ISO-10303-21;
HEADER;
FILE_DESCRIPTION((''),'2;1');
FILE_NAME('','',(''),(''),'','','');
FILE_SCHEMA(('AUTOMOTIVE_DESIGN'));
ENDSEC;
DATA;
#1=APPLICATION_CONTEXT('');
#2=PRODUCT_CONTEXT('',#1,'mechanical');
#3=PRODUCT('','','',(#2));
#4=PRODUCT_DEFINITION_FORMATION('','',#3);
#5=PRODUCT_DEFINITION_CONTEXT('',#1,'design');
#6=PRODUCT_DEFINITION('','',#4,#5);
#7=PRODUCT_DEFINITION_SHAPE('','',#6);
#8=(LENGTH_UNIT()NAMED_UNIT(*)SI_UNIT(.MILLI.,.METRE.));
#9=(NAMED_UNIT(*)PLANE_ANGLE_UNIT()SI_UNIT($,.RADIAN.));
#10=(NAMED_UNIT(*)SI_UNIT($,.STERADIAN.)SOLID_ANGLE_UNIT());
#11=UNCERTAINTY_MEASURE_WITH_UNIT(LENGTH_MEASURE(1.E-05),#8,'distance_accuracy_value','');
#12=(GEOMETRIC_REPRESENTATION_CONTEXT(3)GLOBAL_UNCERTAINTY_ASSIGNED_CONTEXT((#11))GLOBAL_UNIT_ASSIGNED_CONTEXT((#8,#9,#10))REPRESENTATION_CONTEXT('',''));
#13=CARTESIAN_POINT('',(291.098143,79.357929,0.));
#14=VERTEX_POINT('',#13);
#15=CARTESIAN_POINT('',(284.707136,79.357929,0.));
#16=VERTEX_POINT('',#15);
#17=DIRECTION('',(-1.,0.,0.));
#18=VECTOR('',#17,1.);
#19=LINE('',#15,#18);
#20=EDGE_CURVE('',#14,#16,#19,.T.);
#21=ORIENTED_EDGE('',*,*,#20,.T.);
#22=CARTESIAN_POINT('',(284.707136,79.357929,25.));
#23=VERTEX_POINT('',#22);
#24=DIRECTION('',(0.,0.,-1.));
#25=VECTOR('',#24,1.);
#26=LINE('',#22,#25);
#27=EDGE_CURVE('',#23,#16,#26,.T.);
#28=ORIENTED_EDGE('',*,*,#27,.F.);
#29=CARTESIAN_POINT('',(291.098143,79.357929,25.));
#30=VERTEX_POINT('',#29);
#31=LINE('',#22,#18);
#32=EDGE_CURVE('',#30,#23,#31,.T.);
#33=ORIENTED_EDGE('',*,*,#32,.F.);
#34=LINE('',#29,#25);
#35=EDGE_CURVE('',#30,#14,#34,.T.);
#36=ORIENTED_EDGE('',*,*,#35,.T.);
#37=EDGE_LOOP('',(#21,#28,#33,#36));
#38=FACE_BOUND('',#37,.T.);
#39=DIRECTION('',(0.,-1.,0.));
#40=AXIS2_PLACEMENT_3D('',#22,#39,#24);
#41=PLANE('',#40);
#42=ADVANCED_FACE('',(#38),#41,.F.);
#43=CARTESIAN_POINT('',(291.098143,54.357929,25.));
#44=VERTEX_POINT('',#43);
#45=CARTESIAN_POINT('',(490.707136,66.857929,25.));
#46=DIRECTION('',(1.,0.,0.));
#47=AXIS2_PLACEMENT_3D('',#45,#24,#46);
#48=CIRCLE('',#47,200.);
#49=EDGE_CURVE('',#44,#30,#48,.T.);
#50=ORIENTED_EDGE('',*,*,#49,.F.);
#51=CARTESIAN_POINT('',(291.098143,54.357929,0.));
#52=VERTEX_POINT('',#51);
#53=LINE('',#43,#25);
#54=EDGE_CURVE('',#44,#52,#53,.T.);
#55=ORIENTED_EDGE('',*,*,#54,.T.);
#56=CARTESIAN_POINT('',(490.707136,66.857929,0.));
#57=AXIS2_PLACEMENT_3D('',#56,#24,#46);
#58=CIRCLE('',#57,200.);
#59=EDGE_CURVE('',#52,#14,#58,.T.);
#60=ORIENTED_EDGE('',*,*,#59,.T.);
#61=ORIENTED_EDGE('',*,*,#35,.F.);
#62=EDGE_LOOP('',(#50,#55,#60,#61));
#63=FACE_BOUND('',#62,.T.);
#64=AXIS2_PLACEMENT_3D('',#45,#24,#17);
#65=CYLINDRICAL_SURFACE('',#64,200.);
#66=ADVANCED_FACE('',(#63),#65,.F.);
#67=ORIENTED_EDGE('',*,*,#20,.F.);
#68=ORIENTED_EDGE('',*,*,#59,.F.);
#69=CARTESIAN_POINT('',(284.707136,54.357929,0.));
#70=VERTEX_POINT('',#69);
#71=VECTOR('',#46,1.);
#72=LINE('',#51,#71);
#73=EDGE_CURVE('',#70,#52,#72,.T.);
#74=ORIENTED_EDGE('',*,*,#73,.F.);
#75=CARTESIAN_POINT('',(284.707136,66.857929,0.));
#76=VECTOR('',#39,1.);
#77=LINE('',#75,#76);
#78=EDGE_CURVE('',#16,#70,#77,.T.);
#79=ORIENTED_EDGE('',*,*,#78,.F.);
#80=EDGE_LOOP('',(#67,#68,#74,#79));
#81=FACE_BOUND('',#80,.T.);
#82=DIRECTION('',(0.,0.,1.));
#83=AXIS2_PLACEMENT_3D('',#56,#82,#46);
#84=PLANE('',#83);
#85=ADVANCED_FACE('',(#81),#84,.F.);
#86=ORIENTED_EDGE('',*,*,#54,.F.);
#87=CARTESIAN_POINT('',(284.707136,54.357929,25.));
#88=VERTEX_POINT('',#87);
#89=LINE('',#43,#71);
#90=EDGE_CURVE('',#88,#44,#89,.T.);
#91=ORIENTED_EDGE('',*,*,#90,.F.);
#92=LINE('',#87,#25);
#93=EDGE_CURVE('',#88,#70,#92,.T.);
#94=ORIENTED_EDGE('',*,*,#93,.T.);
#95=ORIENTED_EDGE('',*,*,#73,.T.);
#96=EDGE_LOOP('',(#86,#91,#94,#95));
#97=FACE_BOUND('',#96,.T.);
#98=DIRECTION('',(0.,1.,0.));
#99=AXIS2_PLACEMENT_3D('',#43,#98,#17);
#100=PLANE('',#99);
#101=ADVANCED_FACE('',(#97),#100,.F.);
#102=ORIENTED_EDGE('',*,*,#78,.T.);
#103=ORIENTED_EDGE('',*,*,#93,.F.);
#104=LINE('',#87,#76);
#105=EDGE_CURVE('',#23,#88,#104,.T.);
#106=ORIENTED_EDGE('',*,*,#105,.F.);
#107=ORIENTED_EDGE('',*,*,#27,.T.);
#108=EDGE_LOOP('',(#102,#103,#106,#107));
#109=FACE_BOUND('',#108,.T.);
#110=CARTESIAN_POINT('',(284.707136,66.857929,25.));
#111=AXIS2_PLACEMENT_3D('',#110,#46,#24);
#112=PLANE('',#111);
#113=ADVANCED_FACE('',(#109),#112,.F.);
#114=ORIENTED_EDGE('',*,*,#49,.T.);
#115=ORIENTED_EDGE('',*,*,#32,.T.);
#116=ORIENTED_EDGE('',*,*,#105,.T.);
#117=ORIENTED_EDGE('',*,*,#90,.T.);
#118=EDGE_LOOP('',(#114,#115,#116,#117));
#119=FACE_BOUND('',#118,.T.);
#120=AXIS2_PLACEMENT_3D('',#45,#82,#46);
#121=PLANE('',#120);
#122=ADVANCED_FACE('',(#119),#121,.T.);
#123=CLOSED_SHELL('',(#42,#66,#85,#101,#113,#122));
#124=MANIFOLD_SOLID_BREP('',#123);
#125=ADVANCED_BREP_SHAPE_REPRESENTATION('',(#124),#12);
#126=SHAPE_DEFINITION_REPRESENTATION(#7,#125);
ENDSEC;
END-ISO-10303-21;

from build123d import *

# Parameters (mm, degrees)
EXTRUDE_1_DEPTH = 25


with BuildPart() as part:
    # 草图1 → 凸台-拉伸1 (new body)
    with BuildSketch(Plane.XY):
        with BuildLine():
            Line((284.707135631, 66.857929268), (284.707135631, 79.357929268))
            Line((284.707135631, 79.357929268), (291.098142848, 79.357929268))
            ThreePointArc((291.098142848, 79.357929268), (290.707135631, 66.857929268), (291.098142848, 54.357929268))
            Line((291.098142848, 54.357929268), (284.707135631, 54.357929268))
            Line((284.707135631, 54.357929268), (284.707135631, 66.857929268))
        make_face()
    extrude(amount=EXTRUDE_1_DEPTH)


solid = part.part
